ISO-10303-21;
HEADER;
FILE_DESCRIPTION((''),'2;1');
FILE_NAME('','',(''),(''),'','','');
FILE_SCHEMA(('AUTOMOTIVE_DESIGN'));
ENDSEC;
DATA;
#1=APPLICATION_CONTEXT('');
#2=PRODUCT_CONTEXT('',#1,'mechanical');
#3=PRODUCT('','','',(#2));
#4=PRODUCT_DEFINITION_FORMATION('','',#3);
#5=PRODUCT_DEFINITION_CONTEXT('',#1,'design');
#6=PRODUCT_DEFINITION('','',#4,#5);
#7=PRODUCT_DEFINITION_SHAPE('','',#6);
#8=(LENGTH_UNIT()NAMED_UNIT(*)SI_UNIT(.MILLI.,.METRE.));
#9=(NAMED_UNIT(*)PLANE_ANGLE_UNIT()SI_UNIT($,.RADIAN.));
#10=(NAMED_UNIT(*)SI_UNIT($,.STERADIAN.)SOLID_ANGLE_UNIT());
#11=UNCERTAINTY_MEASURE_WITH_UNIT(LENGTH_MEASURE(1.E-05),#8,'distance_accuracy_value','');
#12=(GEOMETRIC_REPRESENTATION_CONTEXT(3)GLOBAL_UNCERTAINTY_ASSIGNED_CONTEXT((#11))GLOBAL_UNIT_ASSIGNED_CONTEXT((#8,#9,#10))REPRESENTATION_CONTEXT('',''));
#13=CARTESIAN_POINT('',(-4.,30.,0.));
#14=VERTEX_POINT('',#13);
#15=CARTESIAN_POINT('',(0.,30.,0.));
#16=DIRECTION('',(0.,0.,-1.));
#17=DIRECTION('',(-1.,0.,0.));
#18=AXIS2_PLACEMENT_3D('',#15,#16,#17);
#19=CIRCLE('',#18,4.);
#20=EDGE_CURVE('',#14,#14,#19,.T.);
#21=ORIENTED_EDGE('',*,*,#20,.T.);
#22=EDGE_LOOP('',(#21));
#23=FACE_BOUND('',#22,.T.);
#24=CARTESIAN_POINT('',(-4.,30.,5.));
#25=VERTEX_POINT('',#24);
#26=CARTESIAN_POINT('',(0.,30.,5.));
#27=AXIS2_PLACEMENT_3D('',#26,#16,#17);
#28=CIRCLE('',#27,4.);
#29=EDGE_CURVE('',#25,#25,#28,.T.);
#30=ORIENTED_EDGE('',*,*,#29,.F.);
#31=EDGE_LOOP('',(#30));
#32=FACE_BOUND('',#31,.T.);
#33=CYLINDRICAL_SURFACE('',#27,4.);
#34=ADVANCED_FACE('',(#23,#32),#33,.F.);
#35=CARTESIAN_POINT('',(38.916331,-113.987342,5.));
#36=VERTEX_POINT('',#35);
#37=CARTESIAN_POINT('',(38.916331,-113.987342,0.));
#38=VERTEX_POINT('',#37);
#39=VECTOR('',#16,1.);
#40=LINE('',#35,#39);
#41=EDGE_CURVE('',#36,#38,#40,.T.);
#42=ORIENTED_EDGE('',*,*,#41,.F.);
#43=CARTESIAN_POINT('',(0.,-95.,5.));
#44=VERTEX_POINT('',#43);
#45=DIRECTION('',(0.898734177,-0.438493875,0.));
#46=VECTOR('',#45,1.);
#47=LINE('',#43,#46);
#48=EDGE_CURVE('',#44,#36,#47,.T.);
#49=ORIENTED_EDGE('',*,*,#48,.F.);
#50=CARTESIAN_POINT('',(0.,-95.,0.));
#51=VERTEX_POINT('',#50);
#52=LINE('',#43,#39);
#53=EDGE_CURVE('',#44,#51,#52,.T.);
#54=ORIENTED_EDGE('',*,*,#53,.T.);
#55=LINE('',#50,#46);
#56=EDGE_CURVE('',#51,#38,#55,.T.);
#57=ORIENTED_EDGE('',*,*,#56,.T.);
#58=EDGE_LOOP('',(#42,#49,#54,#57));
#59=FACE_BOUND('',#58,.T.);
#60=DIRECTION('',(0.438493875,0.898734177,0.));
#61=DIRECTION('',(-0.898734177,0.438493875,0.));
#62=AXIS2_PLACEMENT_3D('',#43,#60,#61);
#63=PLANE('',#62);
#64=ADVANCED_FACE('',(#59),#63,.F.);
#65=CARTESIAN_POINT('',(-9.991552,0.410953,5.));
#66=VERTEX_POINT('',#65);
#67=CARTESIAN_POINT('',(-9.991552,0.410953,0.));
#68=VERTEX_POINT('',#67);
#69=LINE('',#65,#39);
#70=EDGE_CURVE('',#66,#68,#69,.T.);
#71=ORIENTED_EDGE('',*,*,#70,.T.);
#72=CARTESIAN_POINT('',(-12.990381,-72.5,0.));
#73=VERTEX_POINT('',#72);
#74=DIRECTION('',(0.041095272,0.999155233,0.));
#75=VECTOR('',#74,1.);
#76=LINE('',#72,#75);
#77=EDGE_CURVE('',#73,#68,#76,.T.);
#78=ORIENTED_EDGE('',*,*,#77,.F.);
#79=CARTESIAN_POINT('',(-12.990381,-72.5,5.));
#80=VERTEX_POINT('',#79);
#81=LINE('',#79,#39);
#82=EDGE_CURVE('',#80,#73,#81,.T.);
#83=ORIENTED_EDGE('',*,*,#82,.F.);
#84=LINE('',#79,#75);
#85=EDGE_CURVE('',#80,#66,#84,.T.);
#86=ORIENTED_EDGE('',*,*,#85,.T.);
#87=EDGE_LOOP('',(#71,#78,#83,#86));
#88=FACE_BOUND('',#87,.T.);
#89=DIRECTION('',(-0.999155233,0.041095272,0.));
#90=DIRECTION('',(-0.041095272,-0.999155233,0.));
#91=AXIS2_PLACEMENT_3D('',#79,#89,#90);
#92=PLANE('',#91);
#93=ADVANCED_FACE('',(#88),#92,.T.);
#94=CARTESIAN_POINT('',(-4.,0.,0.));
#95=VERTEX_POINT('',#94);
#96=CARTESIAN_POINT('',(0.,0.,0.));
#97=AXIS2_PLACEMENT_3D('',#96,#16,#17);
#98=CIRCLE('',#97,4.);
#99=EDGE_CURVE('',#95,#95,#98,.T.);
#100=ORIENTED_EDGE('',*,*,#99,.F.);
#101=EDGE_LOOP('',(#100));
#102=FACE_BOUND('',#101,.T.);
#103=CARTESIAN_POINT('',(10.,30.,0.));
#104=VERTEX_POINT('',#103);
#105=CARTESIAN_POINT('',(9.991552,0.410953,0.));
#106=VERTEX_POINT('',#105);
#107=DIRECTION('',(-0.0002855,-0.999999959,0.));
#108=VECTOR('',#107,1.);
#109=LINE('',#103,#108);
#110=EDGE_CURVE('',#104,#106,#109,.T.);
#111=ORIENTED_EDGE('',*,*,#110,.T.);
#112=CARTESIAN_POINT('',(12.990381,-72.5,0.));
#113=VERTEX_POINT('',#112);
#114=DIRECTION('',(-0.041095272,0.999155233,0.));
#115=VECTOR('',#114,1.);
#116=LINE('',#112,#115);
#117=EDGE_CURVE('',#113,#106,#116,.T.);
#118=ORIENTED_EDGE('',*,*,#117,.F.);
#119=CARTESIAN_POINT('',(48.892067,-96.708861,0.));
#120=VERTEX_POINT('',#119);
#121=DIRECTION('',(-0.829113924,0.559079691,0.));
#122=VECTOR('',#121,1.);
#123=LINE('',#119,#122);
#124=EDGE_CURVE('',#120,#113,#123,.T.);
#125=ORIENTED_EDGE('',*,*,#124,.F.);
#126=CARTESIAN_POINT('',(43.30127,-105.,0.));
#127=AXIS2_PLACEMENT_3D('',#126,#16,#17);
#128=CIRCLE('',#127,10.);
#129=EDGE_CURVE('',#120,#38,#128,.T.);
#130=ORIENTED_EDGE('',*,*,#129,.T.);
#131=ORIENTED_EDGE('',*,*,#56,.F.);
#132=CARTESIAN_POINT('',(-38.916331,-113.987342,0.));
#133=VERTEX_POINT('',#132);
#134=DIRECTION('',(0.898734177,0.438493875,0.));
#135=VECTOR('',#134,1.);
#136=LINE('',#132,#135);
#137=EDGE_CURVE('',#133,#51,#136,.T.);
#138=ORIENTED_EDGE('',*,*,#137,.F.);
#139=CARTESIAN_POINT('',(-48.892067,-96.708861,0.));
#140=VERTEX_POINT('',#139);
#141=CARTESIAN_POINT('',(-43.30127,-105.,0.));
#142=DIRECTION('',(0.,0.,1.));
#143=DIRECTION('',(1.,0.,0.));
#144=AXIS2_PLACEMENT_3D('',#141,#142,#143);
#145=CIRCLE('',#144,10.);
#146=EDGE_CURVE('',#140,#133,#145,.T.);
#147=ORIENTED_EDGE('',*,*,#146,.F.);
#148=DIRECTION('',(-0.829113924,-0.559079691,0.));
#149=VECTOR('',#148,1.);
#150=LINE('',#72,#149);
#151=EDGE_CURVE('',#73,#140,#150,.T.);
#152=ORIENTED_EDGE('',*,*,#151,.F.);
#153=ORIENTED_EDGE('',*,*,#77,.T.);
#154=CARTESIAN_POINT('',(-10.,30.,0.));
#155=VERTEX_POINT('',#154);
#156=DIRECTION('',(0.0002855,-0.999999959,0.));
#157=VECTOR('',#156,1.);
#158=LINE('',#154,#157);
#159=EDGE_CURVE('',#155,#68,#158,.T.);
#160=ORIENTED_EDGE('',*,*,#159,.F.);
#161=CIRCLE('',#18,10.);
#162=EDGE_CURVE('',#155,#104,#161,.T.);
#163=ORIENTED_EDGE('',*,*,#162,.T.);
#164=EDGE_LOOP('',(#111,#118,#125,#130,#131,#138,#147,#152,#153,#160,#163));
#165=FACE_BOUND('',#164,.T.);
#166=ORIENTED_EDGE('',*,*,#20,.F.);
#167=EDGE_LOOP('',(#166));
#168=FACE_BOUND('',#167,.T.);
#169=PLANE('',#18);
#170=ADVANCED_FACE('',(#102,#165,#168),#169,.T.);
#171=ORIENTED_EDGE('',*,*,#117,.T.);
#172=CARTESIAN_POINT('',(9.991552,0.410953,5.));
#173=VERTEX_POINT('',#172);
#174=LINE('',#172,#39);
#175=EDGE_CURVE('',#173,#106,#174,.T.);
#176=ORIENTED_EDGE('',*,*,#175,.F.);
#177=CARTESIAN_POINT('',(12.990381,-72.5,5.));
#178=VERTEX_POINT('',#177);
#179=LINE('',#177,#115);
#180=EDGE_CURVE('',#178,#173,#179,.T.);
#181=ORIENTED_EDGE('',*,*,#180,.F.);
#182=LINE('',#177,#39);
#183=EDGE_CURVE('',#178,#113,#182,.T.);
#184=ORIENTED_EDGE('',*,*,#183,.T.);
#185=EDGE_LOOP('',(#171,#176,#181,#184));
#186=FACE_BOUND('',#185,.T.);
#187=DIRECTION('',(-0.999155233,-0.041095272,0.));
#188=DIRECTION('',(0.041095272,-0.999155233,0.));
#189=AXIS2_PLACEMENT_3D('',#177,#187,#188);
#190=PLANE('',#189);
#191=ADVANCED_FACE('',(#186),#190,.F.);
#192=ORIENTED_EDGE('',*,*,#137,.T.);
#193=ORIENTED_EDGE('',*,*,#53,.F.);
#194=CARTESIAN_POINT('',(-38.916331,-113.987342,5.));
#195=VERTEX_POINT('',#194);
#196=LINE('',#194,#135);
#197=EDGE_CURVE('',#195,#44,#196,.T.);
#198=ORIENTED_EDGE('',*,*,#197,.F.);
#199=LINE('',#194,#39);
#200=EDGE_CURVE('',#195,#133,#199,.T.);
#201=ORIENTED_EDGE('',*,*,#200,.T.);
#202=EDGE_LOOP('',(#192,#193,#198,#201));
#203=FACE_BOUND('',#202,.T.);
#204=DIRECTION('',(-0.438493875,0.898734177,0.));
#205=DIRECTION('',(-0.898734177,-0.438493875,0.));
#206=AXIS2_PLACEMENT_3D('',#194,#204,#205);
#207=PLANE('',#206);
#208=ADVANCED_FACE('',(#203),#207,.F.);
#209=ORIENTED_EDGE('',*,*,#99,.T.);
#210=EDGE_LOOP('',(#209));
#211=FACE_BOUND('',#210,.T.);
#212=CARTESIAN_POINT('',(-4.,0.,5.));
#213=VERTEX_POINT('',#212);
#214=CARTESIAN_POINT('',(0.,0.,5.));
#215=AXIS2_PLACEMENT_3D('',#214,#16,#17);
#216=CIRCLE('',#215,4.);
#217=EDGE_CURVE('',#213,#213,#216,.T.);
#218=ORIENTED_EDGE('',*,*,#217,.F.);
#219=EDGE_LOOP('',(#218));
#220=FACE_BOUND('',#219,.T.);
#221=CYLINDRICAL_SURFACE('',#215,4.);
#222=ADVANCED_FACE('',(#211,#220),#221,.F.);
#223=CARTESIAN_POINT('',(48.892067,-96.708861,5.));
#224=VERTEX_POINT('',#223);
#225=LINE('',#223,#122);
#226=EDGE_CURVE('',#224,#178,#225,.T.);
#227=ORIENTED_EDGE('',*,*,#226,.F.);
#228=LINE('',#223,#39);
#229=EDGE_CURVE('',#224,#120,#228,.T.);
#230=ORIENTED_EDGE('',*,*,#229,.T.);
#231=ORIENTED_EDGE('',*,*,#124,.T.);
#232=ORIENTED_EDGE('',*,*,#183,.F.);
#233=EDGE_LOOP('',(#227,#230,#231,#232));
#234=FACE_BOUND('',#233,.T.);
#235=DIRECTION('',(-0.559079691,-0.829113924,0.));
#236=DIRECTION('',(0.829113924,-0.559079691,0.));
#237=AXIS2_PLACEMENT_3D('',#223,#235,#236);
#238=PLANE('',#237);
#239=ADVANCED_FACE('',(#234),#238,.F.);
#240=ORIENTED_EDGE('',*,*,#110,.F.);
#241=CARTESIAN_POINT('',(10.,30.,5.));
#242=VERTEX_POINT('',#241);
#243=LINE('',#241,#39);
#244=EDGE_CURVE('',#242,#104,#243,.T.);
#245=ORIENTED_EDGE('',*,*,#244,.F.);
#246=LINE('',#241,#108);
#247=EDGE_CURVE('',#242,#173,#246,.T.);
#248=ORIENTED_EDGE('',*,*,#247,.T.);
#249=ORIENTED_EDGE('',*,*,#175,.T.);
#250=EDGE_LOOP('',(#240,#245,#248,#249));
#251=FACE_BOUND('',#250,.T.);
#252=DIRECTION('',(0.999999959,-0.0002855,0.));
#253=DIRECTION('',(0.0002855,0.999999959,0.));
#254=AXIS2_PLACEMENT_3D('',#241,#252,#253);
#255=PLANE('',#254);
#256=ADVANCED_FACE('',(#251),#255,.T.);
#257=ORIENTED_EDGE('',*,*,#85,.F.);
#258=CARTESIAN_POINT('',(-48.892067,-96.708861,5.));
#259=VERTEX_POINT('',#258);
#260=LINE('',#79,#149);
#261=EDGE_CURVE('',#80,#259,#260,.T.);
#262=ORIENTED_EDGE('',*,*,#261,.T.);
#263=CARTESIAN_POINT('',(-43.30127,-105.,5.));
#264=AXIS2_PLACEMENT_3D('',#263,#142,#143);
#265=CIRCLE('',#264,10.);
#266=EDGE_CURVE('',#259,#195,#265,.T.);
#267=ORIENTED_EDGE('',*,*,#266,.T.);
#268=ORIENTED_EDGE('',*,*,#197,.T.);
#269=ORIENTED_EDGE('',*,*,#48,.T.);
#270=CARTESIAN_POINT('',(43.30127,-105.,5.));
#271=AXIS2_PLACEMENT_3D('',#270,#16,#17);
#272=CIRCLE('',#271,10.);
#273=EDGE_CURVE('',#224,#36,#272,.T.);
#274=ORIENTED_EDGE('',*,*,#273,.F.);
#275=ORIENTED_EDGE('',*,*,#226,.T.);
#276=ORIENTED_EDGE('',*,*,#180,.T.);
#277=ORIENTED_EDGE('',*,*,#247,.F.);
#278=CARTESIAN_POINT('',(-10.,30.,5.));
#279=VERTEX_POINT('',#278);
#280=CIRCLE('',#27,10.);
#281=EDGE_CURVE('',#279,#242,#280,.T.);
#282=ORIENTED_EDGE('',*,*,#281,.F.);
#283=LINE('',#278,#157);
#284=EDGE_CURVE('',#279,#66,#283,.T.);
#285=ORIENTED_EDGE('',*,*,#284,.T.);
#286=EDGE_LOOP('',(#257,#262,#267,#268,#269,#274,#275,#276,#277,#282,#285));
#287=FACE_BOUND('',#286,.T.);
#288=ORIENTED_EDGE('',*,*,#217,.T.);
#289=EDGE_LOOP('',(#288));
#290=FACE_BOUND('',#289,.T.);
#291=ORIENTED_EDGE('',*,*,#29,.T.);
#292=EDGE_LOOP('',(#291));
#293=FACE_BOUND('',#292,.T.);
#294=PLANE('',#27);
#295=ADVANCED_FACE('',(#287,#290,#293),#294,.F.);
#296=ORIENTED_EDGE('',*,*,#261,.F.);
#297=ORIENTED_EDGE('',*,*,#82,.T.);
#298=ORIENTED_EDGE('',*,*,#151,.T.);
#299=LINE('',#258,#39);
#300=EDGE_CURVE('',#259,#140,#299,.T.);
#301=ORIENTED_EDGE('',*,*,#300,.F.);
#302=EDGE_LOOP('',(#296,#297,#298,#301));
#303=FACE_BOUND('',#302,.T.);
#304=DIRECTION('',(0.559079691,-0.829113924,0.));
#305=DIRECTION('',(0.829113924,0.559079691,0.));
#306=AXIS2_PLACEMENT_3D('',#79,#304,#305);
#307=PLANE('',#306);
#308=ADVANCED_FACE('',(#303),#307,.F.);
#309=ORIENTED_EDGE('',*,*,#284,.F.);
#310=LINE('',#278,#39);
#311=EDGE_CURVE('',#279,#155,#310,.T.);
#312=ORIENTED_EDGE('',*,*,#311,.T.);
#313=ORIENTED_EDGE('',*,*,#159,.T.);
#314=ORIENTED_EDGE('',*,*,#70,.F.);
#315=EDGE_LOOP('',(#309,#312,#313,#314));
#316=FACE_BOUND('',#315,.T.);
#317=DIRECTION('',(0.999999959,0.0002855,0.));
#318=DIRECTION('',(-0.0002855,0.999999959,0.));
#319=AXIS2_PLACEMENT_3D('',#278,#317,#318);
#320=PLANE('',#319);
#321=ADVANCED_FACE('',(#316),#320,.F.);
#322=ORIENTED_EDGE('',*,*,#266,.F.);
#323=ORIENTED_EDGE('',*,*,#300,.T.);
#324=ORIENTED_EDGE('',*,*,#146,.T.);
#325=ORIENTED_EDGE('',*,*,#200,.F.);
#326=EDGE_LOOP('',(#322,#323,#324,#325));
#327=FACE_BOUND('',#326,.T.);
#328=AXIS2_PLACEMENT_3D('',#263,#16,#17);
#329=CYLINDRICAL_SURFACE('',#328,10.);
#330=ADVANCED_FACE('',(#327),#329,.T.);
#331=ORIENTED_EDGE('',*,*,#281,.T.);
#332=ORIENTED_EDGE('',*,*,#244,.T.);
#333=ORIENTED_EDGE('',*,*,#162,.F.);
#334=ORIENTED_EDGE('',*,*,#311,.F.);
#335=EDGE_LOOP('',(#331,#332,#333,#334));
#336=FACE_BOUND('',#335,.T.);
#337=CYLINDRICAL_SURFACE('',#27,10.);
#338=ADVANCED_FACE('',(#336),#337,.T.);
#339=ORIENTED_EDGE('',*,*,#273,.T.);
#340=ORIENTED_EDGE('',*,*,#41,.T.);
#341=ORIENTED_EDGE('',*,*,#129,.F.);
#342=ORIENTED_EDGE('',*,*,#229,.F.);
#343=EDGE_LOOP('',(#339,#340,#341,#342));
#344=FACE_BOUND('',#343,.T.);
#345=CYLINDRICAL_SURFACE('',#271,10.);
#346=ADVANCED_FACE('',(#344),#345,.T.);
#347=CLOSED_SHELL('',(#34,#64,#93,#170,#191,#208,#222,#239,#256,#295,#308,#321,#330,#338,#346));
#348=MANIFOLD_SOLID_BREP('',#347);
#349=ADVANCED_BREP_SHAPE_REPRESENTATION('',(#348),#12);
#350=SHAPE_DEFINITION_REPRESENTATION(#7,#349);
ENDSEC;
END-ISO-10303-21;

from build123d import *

# Parameters (mm, degrees)
BOSS_EXTRUDE1_DEPTH = 5
SKETCH3_R           = 4
CUT_EXTRUDE1_DEPTH  = 5


with BuildPart() as part:
    # Sketch1 → Boss-Extrude1 (new body)
    with BuildSketch(Plane.XY):
        with BuildLine():
            Line((-38.916331436, -113.987341772), (0, -95))
            Line((0, -95), (38.916331436, -113.987341772))
            ThreePointArc((38.916331436, -113.987341772), (51.961524227, -110), (48.8920671, -96.708860759))
            Line((48.8920671, -96.708860759), (12.990381057, -72.5))
            Line((12.990381057, -72.5), (9.991552325, 0.410952718))
            Line((9.991552325, 0.410952718), (10, 30))
            ThreePointArc((10, 30), (0, 40), (-10, 30))
            Line((-10, 30), (-9.991552325, 0.410952718))
            Line((-9.991552325, 0.410952718), (-12.990381057, -72.5))
            Line((-12.990381057, -72.5), (-48.8920671, -96.708860759))
            ThreePointArc((-48.8920671, -96.708860759), (-51.961524227, -110), (-38.916331436, -113.987341772))
        make_face()
    extrude(amount=BOSS_EXTRUDE1_DEPTH)

    # Sketch3 → Cut-Extrude1 (cut)
    with BuildSketch(Plane(origin=(0, 0, 0), x_dir=(-1, 0, 0), z_dir=(0, 0, -1))):
        with Locations((0, 30)):
            Circle(SKETCH3_R)
        Circle(SKETCH3_R)
    extrude(amount=-CUT_EXTRUDE1_DEPTH, mode=Mode.SUBTRACT)


solid = part.part
